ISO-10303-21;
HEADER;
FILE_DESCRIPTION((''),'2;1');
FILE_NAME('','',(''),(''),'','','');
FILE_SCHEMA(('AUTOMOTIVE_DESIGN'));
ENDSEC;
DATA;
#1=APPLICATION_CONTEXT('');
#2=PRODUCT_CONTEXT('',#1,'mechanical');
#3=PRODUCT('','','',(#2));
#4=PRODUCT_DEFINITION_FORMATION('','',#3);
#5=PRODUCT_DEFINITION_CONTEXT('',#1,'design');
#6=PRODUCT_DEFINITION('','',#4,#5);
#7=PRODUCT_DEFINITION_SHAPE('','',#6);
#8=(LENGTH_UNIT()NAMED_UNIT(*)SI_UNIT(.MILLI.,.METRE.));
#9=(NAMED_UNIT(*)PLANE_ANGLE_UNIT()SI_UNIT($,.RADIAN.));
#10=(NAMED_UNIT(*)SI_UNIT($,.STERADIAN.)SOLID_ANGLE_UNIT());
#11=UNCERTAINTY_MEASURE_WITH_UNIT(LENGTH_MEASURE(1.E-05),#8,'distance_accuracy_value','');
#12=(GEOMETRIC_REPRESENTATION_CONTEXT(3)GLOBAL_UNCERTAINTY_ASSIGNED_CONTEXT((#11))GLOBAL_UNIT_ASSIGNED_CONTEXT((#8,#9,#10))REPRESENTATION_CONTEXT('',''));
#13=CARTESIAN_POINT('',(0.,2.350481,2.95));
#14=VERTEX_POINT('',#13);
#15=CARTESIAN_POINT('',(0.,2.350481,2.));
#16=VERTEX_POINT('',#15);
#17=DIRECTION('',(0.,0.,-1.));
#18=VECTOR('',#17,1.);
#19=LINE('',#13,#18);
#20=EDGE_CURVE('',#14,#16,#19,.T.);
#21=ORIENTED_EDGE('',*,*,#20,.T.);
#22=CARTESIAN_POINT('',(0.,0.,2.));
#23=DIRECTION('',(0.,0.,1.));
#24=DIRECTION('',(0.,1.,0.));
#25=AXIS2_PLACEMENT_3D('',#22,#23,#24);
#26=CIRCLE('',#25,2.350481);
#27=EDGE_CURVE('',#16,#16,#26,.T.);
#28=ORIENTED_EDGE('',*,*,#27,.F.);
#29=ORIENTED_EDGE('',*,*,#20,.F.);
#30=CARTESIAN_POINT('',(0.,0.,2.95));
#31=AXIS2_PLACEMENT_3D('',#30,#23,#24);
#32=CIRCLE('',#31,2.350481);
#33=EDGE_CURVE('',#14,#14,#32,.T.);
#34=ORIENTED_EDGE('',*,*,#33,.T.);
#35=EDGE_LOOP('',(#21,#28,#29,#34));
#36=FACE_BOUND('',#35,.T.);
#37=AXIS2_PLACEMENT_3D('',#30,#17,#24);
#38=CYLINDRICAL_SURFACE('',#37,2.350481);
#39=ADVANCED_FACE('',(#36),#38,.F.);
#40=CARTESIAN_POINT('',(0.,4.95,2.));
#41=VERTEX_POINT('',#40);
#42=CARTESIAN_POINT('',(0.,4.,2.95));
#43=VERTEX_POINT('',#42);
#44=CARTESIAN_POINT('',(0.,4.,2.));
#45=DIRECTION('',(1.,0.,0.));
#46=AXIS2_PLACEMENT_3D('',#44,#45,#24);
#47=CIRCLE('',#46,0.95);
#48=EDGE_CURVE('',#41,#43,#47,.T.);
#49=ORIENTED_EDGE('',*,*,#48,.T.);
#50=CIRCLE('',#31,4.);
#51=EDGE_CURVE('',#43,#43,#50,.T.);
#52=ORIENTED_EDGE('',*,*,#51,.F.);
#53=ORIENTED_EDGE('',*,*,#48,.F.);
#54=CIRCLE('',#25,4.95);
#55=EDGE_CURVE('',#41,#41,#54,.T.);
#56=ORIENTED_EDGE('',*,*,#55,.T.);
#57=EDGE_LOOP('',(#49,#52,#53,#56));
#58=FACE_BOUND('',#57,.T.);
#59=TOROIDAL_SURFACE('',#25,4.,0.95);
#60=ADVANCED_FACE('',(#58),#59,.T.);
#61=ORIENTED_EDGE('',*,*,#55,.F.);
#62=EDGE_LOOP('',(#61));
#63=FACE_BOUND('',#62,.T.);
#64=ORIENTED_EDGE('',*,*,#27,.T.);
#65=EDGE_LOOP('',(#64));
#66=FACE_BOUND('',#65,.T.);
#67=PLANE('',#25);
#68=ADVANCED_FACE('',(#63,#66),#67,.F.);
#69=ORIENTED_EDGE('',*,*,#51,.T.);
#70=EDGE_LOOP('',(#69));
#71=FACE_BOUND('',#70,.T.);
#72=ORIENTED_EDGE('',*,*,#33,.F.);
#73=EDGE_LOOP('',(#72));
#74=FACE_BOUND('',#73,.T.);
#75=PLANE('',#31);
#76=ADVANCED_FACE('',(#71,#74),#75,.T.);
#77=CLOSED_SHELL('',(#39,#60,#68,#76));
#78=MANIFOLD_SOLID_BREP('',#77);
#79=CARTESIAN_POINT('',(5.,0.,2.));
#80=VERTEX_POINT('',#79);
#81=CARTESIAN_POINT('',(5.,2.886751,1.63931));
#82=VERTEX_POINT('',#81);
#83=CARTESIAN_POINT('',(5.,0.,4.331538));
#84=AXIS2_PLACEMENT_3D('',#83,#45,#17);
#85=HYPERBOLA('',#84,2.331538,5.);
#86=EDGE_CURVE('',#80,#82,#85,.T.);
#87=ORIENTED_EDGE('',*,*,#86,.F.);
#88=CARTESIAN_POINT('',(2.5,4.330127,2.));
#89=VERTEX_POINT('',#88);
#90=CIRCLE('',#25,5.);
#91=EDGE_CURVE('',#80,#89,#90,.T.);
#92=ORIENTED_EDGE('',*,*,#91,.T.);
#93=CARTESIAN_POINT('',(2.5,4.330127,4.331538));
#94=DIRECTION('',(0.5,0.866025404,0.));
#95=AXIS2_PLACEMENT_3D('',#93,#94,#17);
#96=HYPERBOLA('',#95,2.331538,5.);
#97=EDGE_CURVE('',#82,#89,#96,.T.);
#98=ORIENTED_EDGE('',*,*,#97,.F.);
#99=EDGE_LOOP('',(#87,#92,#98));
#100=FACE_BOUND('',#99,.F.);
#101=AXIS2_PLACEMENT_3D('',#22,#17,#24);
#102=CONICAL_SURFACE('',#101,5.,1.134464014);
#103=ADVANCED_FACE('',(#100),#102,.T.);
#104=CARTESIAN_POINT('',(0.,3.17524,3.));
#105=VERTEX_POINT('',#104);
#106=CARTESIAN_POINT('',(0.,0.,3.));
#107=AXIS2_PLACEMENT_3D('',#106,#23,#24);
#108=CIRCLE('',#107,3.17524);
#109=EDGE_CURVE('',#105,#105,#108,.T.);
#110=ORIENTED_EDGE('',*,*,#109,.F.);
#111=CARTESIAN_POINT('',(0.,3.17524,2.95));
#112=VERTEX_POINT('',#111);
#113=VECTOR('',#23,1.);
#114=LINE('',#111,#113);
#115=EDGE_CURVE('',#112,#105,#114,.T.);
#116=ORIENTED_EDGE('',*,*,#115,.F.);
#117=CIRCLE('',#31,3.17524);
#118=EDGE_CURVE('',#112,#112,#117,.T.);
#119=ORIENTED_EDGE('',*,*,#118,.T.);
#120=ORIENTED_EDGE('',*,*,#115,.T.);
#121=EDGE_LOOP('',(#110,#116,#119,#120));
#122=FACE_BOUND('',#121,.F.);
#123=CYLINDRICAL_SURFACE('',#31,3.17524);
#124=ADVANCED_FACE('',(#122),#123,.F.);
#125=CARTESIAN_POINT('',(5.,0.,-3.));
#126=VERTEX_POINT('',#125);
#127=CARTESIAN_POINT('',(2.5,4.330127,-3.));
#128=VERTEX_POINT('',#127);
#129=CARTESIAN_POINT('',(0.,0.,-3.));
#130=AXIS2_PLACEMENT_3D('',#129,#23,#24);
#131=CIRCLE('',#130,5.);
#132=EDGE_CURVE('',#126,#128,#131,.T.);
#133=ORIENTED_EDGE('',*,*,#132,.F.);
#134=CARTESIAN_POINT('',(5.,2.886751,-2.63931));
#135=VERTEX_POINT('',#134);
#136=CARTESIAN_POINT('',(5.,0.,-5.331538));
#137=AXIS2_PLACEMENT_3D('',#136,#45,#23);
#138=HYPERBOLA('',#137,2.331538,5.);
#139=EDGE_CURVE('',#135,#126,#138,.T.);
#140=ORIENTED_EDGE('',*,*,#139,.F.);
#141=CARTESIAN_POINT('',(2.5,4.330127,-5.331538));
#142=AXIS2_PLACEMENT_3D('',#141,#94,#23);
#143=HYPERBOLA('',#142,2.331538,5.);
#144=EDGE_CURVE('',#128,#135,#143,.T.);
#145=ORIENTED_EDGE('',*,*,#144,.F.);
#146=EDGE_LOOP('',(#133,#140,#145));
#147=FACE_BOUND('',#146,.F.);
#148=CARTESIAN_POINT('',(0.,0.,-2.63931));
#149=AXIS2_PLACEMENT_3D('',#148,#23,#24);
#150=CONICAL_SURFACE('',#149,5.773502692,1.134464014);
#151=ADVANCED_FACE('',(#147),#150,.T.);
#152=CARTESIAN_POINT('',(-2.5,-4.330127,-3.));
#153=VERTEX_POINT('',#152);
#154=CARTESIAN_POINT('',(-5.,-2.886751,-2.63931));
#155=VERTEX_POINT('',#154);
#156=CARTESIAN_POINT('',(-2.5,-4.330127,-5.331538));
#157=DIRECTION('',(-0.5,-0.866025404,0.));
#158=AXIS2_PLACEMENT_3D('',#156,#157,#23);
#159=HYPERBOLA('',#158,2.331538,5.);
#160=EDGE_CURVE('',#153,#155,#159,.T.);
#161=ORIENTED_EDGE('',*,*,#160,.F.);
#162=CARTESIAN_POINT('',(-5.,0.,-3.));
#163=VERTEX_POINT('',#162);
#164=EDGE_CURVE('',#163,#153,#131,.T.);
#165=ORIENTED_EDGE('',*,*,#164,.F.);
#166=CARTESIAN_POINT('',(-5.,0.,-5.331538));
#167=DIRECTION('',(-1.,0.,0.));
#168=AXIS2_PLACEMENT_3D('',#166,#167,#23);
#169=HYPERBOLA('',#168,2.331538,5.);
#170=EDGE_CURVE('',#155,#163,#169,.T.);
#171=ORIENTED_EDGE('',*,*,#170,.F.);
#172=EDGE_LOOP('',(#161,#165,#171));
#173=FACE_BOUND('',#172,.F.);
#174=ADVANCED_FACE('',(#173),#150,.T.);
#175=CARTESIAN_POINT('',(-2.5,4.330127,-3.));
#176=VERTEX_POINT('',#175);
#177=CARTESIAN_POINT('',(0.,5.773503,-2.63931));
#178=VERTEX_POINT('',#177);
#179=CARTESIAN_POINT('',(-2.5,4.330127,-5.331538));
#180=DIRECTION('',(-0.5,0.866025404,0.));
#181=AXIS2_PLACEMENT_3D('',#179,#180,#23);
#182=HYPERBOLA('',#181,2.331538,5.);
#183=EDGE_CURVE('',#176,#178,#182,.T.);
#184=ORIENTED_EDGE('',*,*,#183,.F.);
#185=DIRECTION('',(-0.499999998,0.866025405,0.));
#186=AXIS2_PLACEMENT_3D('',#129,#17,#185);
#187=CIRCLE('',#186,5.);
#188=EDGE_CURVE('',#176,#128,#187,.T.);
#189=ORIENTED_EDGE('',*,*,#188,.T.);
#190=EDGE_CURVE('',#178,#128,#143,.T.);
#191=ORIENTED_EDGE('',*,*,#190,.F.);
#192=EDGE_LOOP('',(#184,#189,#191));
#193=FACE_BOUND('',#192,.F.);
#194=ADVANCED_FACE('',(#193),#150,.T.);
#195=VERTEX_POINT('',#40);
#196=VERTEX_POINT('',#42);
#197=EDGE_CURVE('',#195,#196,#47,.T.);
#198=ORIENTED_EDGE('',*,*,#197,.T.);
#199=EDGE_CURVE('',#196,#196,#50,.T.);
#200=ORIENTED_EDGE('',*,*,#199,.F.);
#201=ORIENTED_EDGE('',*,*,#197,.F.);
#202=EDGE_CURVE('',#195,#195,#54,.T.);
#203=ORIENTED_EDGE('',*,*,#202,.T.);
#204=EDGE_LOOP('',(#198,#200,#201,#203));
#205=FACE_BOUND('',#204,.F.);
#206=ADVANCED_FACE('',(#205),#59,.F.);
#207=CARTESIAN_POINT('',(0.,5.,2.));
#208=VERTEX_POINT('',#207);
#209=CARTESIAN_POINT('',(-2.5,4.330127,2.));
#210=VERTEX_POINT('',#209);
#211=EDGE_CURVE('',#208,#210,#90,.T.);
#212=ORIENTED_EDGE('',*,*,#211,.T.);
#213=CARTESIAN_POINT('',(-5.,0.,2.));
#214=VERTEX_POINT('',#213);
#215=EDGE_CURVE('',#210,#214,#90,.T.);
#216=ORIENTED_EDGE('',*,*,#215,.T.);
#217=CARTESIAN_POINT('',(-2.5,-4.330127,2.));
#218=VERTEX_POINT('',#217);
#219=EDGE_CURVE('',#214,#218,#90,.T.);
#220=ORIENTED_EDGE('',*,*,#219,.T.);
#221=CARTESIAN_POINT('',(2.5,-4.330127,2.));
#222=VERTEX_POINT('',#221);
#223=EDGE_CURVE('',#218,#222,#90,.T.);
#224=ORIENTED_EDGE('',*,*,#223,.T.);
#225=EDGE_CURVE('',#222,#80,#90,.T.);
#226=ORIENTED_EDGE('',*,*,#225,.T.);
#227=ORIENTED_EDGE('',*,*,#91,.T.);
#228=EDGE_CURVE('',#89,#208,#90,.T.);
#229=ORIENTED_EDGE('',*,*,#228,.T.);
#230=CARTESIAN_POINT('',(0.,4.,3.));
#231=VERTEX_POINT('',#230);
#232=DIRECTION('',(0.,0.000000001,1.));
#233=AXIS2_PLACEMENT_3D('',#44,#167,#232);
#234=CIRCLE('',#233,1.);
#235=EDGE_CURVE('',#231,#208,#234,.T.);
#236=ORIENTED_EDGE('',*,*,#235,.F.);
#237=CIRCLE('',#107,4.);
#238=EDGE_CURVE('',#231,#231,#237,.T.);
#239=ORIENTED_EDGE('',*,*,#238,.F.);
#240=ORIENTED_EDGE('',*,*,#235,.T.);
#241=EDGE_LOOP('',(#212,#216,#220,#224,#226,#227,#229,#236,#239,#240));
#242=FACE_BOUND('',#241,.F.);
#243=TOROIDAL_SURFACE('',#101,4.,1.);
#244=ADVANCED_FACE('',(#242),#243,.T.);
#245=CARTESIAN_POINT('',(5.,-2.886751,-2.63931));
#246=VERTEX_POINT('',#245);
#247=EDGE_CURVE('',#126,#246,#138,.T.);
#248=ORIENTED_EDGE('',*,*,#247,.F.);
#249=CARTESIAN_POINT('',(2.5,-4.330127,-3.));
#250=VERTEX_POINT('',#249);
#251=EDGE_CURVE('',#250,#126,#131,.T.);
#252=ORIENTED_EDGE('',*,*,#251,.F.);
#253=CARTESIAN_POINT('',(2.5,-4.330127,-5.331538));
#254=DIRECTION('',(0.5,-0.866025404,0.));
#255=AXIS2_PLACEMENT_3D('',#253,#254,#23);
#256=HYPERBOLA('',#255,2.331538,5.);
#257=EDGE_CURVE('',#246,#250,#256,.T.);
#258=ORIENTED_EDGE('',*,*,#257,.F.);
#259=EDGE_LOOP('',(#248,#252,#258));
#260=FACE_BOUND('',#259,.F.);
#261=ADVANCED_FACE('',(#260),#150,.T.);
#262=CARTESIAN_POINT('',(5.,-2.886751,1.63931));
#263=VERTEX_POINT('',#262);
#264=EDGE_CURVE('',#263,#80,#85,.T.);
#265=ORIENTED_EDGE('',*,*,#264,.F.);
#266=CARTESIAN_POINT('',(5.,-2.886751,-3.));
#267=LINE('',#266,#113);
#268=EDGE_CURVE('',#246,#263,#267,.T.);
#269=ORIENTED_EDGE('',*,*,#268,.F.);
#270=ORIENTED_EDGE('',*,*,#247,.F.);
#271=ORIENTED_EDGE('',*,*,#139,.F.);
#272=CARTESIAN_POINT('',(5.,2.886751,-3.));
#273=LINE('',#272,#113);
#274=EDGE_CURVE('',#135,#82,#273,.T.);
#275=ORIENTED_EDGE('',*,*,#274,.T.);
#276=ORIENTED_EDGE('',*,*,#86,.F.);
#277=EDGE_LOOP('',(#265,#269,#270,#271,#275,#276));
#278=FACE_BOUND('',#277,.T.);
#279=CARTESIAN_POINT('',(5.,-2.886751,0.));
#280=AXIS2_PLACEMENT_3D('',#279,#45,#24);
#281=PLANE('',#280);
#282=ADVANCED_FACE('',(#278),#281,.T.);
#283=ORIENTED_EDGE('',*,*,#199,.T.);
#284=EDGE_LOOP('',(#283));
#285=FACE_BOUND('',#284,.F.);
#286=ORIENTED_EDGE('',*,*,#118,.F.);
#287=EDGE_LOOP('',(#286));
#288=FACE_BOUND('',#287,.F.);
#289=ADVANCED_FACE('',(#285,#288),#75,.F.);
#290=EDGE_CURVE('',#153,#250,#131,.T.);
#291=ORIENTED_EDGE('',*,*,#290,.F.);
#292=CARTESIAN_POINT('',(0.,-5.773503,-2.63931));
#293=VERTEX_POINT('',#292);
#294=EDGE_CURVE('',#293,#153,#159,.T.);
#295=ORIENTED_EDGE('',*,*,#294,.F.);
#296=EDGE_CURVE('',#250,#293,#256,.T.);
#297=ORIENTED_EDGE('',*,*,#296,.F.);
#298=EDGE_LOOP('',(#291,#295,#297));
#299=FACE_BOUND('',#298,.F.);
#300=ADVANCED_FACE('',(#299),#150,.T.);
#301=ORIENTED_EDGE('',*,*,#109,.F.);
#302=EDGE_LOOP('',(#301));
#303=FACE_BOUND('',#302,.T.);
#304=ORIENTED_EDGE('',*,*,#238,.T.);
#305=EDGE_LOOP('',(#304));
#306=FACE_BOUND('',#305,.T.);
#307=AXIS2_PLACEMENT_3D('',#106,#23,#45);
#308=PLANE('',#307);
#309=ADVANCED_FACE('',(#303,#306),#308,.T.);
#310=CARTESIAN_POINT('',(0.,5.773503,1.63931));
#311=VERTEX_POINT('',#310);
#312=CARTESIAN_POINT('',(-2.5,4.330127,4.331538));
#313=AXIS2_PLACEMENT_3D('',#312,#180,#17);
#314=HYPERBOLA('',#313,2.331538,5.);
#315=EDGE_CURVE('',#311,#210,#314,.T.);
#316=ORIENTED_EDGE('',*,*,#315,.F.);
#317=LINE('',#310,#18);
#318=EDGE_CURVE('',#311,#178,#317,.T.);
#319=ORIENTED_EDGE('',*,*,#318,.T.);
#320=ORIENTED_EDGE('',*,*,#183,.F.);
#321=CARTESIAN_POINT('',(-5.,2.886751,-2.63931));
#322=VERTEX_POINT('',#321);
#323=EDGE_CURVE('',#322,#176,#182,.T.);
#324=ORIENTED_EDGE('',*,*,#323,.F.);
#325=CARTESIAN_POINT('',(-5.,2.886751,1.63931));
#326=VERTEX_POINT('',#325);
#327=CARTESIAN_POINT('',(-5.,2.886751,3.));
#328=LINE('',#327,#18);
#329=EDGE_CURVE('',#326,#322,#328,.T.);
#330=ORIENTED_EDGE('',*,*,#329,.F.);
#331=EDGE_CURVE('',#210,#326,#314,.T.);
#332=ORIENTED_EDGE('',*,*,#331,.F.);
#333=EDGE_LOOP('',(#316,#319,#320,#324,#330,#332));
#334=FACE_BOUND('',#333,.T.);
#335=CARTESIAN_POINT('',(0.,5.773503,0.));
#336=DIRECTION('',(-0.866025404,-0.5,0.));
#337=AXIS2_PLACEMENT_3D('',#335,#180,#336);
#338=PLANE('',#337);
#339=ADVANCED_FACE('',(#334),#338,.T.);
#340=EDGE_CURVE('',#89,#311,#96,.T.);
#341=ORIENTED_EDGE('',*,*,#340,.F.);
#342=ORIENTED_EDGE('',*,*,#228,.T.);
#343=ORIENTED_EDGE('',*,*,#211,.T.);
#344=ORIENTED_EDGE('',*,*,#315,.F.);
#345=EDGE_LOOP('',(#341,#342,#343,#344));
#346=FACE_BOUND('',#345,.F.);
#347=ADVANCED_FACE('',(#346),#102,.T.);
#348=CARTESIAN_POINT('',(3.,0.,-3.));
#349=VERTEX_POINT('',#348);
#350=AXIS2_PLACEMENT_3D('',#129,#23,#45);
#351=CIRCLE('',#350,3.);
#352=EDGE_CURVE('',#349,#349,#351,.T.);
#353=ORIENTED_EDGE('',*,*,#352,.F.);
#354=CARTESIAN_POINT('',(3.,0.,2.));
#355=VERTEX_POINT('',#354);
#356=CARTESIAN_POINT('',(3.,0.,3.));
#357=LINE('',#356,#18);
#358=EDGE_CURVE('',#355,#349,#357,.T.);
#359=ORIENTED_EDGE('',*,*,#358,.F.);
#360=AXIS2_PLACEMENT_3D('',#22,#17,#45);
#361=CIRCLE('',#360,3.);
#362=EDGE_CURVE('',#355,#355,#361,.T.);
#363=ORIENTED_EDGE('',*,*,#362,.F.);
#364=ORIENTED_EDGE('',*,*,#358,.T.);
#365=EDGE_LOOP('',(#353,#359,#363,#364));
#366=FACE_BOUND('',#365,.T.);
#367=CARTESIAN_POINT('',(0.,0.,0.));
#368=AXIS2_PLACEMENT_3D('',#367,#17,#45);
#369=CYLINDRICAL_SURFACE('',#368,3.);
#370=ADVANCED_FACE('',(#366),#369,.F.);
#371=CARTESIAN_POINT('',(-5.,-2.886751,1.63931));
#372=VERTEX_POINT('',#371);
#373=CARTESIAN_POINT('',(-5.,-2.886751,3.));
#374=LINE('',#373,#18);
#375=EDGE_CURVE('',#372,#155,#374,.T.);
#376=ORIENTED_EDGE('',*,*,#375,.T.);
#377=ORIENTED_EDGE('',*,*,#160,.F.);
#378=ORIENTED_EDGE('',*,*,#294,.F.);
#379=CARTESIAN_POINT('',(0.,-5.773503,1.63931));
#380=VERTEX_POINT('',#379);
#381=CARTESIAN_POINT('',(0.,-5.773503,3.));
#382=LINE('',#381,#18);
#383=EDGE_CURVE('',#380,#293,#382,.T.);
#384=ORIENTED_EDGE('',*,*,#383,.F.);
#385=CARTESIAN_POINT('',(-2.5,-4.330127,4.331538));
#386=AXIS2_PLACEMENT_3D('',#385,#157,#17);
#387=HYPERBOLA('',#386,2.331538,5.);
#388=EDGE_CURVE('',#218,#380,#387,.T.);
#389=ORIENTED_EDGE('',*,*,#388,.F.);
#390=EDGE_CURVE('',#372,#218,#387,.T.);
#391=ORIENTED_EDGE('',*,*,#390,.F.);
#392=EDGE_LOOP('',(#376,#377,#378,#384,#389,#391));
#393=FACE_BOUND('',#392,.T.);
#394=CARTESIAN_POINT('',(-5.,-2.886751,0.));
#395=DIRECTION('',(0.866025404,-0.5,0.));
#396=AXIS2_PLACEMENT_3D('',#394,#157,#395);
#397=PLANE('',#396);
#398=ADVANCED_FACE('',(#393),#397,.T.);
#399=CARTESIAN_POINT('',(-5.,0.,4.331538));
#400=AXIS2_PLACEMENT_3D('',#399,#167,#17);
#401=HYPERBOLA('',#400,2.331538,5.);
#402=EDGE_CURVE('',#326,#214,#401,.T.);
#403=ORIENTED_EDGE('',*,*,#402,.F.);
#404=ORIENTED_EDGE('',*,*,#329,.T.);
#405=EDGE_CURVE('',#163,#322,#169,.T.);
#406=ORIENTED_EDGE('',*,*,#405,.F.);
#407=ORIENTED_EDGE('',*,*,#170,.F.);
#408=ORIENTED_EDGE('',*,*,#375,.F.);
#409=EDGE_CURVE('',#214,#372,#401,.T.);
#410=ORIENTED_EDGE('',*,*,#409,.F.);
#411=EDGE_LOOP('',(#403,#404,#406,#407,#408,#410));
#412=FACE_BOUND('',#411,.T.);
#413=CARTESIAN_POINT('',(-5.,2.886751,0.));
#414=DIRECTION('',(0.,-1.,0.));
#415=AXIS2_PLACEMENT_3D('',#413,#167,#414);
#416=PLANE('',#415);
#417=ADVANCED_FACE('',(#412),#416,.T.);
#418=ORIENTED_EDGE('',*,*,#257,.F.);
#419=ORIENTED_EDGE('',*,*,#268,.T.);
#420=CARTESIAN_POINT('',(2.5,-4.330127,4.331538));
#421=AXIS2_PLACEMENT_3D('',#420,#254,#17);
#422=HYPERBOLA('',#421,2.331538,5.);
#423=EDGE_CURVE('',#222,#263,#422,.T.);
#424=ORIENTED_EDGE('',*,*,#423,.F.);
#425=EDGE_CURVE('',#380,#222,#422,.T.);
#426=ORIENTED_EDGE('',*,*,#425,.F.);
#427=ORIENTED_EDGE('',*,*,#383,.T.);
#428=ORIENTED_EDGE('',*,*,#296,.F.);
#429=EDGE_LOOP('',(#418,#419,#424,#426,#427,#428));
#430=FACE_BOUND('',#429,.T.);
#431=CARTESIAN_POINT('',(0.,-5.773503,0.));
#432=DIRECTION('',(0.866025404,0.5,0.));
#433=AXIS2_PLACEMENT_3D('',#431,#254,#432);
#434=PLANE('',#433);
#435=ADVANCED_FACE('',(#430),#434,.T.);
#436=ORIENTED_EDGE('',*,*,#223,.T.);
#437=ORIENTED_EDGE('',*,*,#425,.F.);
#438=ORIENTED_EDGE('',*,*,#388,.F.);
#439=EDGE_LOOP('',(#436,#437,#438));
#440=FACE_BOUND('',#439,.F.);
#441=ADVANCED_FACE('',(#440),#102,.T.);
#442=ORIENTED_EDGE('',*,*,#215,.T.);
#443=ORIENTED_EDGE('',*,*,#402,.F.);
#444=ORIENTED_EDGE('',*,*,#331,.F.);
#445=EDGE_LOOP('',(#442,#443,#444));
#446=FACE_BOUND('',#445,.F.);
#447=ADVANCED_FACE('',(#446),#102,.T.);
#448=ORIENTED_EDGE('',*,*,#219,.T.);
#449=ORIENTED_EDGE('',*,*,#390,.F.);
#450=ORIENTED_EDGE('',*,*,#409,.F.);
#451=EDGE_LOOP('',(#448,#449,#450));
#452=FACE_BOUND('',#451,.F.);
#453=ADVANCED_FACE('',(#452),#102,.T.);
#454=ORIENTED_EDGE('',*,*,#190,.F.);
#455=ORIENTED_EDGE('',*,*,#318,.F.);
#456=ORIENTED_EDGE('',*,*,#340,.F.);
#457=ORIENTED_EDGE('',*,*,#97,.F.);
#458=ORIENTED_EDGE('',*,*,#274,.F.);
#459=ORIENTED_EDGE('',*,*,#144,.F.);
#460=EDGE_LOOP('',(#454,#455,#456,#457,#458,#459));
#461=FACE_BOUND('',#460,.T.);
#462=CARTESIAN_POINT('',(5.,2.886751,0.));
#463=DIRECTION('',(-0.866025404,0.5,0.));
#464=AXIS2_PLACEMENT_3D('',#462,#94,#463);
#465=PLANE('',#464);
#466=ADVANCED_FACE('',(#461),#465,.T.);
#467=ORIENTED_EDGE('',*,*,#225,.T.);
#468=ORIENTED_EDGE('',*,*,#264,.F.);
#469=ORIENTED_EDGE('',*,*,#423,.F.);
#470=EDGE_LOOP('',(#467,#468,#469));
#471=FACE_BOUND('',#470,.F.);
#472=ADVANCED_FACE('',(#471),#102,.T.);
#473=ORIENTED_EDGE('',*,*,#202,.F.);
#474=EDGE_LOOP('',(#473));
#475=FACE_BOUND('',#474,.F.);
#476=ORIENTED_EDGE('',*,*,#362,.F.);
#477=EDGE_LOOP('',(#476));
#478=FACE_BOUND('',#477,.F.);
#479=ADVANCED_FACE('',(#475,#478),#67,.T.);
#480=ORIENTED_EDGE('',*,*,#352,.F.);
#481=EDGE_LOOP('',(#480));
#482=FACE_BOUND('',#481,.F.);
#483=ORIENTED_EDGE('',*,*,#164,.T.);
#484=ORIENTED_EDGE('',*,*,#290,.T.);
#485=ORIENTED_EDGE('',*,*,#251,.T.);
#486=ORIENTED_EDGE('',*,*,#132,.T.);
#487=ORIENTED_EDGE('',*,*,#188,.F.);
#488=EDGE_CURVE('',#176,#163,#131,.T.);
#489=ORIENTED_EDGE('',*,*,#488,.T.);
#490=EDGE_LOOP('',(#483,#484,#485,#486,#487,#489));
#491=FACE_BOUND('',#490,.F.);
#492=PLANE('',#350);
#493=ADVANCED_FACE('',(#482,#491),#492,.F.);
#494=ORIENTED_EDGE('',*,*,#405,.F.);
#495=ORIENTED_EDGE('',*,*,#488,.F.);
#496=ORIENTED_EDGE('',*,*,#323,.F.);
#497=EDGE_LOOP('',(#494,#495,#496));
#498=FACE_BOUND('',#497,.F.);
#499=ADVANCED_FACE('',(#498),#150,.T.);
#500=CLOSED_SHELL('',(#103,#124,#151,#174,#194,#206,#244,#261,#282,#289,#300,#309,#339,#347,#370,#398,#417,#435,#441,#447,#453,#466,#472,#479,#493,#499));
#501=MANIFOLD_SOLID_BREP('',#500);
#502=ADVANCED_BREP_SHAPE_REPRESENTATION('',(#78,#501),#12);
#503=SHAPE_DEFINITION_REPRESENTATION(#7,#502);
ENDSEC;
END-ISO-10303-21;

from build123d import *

# Parameters (mm, degrees)
SKETCH3_R           = 3
BOSS_EXTRUDE1_DEPTH = 3


with BuildPart() as part:
    # Sketch3 → Boss-Extrude1 (new body, symmetric)
    with BuildSketch(Plane.XY):
        Polygon((0, -5.773502692), (5, -2.886751346), (5, 2.886751346), (0, 5.773502692), (-5, 2.886751346), (-5, -2.886751346), align=None)
        Circle(SKETCH3_R, mode=Mode.SUBTRACT)
    extrude(amount=BOSS_EXTRUDE1_DEPTH, both=True)

    # Sketch4 → Cut-Revolve1 (revolve, cut)
    with BuildSketch(Plane(origin=(0, 0, 0), x_dir=(0, 0, -1), z_dir=(1, 0, 0))):
        with BuildLine():
            Line((4.27, 7.043502692), (-4.27, 7.043502692))
            Line((-4.27, 7.043502692), (-4.27, 4))
            Line((-4.27, 4), (-3, 4))
            ThreePointArc((-3, 4), (-2.707106781, 4.707106781), (-2, 5))
            Line((-2, 5), (-1.639309771, 5.773502692))
            Line((-1.639309771, 5.773502692), (2.639309771, 5.773502692))
            Line((2.639309771, 5.773502692), (3, 5))
            Line((3, 5), (3, 0))
            Line((3, 0), (4.27, 0))
            Line((4.27, 0), (4.27, 7.043502692))
        make_face()
        with BuildLine():
            Line((-4.27, 3.175240474), (-4.27, 0))
            Line((-4.27, 0), (-2, 0))
            Line((-2, 0), (-2, 4.95))
            ThreePointArc((-2, 4.95), (-2.671751442, 4.671751442), (-2.95, 4))
            Line((-2.95, 4), (-2.95, 3.175240474))
            Line((-2.95, 3.175240474), (-4.27, 3.175240474))
        make_face()
    revolve(axis=Axis((0, 0, -3), (0, 0, 1)), mode=Mode.SUBTRACT)


with BuildPart() as body_2:
    # Sketch5 → Revolve1 (revolve)
    with BuildSketch(Plane(origin=(0, 0, 0), x_dir=(0, 0, -1), z_dir=(1, 0, 0))):
        with BuildLine():
            Line((-2.95, 4), (-2.95, 2.350480947))
            Line((-2.95, 2.350480947), (-2, 2.350480947))
            Line((-2, 2.350480947), (-2, 4.95))
            ThreePointArc((-2, 4.95), (-2.671751442, 4.671751442), (-2.95, 4))
        make_face()
    revolve(axis=Axis((0, 0, -3), (0, 0, 1)))


solid = Compound([part.part, body_2.part])
